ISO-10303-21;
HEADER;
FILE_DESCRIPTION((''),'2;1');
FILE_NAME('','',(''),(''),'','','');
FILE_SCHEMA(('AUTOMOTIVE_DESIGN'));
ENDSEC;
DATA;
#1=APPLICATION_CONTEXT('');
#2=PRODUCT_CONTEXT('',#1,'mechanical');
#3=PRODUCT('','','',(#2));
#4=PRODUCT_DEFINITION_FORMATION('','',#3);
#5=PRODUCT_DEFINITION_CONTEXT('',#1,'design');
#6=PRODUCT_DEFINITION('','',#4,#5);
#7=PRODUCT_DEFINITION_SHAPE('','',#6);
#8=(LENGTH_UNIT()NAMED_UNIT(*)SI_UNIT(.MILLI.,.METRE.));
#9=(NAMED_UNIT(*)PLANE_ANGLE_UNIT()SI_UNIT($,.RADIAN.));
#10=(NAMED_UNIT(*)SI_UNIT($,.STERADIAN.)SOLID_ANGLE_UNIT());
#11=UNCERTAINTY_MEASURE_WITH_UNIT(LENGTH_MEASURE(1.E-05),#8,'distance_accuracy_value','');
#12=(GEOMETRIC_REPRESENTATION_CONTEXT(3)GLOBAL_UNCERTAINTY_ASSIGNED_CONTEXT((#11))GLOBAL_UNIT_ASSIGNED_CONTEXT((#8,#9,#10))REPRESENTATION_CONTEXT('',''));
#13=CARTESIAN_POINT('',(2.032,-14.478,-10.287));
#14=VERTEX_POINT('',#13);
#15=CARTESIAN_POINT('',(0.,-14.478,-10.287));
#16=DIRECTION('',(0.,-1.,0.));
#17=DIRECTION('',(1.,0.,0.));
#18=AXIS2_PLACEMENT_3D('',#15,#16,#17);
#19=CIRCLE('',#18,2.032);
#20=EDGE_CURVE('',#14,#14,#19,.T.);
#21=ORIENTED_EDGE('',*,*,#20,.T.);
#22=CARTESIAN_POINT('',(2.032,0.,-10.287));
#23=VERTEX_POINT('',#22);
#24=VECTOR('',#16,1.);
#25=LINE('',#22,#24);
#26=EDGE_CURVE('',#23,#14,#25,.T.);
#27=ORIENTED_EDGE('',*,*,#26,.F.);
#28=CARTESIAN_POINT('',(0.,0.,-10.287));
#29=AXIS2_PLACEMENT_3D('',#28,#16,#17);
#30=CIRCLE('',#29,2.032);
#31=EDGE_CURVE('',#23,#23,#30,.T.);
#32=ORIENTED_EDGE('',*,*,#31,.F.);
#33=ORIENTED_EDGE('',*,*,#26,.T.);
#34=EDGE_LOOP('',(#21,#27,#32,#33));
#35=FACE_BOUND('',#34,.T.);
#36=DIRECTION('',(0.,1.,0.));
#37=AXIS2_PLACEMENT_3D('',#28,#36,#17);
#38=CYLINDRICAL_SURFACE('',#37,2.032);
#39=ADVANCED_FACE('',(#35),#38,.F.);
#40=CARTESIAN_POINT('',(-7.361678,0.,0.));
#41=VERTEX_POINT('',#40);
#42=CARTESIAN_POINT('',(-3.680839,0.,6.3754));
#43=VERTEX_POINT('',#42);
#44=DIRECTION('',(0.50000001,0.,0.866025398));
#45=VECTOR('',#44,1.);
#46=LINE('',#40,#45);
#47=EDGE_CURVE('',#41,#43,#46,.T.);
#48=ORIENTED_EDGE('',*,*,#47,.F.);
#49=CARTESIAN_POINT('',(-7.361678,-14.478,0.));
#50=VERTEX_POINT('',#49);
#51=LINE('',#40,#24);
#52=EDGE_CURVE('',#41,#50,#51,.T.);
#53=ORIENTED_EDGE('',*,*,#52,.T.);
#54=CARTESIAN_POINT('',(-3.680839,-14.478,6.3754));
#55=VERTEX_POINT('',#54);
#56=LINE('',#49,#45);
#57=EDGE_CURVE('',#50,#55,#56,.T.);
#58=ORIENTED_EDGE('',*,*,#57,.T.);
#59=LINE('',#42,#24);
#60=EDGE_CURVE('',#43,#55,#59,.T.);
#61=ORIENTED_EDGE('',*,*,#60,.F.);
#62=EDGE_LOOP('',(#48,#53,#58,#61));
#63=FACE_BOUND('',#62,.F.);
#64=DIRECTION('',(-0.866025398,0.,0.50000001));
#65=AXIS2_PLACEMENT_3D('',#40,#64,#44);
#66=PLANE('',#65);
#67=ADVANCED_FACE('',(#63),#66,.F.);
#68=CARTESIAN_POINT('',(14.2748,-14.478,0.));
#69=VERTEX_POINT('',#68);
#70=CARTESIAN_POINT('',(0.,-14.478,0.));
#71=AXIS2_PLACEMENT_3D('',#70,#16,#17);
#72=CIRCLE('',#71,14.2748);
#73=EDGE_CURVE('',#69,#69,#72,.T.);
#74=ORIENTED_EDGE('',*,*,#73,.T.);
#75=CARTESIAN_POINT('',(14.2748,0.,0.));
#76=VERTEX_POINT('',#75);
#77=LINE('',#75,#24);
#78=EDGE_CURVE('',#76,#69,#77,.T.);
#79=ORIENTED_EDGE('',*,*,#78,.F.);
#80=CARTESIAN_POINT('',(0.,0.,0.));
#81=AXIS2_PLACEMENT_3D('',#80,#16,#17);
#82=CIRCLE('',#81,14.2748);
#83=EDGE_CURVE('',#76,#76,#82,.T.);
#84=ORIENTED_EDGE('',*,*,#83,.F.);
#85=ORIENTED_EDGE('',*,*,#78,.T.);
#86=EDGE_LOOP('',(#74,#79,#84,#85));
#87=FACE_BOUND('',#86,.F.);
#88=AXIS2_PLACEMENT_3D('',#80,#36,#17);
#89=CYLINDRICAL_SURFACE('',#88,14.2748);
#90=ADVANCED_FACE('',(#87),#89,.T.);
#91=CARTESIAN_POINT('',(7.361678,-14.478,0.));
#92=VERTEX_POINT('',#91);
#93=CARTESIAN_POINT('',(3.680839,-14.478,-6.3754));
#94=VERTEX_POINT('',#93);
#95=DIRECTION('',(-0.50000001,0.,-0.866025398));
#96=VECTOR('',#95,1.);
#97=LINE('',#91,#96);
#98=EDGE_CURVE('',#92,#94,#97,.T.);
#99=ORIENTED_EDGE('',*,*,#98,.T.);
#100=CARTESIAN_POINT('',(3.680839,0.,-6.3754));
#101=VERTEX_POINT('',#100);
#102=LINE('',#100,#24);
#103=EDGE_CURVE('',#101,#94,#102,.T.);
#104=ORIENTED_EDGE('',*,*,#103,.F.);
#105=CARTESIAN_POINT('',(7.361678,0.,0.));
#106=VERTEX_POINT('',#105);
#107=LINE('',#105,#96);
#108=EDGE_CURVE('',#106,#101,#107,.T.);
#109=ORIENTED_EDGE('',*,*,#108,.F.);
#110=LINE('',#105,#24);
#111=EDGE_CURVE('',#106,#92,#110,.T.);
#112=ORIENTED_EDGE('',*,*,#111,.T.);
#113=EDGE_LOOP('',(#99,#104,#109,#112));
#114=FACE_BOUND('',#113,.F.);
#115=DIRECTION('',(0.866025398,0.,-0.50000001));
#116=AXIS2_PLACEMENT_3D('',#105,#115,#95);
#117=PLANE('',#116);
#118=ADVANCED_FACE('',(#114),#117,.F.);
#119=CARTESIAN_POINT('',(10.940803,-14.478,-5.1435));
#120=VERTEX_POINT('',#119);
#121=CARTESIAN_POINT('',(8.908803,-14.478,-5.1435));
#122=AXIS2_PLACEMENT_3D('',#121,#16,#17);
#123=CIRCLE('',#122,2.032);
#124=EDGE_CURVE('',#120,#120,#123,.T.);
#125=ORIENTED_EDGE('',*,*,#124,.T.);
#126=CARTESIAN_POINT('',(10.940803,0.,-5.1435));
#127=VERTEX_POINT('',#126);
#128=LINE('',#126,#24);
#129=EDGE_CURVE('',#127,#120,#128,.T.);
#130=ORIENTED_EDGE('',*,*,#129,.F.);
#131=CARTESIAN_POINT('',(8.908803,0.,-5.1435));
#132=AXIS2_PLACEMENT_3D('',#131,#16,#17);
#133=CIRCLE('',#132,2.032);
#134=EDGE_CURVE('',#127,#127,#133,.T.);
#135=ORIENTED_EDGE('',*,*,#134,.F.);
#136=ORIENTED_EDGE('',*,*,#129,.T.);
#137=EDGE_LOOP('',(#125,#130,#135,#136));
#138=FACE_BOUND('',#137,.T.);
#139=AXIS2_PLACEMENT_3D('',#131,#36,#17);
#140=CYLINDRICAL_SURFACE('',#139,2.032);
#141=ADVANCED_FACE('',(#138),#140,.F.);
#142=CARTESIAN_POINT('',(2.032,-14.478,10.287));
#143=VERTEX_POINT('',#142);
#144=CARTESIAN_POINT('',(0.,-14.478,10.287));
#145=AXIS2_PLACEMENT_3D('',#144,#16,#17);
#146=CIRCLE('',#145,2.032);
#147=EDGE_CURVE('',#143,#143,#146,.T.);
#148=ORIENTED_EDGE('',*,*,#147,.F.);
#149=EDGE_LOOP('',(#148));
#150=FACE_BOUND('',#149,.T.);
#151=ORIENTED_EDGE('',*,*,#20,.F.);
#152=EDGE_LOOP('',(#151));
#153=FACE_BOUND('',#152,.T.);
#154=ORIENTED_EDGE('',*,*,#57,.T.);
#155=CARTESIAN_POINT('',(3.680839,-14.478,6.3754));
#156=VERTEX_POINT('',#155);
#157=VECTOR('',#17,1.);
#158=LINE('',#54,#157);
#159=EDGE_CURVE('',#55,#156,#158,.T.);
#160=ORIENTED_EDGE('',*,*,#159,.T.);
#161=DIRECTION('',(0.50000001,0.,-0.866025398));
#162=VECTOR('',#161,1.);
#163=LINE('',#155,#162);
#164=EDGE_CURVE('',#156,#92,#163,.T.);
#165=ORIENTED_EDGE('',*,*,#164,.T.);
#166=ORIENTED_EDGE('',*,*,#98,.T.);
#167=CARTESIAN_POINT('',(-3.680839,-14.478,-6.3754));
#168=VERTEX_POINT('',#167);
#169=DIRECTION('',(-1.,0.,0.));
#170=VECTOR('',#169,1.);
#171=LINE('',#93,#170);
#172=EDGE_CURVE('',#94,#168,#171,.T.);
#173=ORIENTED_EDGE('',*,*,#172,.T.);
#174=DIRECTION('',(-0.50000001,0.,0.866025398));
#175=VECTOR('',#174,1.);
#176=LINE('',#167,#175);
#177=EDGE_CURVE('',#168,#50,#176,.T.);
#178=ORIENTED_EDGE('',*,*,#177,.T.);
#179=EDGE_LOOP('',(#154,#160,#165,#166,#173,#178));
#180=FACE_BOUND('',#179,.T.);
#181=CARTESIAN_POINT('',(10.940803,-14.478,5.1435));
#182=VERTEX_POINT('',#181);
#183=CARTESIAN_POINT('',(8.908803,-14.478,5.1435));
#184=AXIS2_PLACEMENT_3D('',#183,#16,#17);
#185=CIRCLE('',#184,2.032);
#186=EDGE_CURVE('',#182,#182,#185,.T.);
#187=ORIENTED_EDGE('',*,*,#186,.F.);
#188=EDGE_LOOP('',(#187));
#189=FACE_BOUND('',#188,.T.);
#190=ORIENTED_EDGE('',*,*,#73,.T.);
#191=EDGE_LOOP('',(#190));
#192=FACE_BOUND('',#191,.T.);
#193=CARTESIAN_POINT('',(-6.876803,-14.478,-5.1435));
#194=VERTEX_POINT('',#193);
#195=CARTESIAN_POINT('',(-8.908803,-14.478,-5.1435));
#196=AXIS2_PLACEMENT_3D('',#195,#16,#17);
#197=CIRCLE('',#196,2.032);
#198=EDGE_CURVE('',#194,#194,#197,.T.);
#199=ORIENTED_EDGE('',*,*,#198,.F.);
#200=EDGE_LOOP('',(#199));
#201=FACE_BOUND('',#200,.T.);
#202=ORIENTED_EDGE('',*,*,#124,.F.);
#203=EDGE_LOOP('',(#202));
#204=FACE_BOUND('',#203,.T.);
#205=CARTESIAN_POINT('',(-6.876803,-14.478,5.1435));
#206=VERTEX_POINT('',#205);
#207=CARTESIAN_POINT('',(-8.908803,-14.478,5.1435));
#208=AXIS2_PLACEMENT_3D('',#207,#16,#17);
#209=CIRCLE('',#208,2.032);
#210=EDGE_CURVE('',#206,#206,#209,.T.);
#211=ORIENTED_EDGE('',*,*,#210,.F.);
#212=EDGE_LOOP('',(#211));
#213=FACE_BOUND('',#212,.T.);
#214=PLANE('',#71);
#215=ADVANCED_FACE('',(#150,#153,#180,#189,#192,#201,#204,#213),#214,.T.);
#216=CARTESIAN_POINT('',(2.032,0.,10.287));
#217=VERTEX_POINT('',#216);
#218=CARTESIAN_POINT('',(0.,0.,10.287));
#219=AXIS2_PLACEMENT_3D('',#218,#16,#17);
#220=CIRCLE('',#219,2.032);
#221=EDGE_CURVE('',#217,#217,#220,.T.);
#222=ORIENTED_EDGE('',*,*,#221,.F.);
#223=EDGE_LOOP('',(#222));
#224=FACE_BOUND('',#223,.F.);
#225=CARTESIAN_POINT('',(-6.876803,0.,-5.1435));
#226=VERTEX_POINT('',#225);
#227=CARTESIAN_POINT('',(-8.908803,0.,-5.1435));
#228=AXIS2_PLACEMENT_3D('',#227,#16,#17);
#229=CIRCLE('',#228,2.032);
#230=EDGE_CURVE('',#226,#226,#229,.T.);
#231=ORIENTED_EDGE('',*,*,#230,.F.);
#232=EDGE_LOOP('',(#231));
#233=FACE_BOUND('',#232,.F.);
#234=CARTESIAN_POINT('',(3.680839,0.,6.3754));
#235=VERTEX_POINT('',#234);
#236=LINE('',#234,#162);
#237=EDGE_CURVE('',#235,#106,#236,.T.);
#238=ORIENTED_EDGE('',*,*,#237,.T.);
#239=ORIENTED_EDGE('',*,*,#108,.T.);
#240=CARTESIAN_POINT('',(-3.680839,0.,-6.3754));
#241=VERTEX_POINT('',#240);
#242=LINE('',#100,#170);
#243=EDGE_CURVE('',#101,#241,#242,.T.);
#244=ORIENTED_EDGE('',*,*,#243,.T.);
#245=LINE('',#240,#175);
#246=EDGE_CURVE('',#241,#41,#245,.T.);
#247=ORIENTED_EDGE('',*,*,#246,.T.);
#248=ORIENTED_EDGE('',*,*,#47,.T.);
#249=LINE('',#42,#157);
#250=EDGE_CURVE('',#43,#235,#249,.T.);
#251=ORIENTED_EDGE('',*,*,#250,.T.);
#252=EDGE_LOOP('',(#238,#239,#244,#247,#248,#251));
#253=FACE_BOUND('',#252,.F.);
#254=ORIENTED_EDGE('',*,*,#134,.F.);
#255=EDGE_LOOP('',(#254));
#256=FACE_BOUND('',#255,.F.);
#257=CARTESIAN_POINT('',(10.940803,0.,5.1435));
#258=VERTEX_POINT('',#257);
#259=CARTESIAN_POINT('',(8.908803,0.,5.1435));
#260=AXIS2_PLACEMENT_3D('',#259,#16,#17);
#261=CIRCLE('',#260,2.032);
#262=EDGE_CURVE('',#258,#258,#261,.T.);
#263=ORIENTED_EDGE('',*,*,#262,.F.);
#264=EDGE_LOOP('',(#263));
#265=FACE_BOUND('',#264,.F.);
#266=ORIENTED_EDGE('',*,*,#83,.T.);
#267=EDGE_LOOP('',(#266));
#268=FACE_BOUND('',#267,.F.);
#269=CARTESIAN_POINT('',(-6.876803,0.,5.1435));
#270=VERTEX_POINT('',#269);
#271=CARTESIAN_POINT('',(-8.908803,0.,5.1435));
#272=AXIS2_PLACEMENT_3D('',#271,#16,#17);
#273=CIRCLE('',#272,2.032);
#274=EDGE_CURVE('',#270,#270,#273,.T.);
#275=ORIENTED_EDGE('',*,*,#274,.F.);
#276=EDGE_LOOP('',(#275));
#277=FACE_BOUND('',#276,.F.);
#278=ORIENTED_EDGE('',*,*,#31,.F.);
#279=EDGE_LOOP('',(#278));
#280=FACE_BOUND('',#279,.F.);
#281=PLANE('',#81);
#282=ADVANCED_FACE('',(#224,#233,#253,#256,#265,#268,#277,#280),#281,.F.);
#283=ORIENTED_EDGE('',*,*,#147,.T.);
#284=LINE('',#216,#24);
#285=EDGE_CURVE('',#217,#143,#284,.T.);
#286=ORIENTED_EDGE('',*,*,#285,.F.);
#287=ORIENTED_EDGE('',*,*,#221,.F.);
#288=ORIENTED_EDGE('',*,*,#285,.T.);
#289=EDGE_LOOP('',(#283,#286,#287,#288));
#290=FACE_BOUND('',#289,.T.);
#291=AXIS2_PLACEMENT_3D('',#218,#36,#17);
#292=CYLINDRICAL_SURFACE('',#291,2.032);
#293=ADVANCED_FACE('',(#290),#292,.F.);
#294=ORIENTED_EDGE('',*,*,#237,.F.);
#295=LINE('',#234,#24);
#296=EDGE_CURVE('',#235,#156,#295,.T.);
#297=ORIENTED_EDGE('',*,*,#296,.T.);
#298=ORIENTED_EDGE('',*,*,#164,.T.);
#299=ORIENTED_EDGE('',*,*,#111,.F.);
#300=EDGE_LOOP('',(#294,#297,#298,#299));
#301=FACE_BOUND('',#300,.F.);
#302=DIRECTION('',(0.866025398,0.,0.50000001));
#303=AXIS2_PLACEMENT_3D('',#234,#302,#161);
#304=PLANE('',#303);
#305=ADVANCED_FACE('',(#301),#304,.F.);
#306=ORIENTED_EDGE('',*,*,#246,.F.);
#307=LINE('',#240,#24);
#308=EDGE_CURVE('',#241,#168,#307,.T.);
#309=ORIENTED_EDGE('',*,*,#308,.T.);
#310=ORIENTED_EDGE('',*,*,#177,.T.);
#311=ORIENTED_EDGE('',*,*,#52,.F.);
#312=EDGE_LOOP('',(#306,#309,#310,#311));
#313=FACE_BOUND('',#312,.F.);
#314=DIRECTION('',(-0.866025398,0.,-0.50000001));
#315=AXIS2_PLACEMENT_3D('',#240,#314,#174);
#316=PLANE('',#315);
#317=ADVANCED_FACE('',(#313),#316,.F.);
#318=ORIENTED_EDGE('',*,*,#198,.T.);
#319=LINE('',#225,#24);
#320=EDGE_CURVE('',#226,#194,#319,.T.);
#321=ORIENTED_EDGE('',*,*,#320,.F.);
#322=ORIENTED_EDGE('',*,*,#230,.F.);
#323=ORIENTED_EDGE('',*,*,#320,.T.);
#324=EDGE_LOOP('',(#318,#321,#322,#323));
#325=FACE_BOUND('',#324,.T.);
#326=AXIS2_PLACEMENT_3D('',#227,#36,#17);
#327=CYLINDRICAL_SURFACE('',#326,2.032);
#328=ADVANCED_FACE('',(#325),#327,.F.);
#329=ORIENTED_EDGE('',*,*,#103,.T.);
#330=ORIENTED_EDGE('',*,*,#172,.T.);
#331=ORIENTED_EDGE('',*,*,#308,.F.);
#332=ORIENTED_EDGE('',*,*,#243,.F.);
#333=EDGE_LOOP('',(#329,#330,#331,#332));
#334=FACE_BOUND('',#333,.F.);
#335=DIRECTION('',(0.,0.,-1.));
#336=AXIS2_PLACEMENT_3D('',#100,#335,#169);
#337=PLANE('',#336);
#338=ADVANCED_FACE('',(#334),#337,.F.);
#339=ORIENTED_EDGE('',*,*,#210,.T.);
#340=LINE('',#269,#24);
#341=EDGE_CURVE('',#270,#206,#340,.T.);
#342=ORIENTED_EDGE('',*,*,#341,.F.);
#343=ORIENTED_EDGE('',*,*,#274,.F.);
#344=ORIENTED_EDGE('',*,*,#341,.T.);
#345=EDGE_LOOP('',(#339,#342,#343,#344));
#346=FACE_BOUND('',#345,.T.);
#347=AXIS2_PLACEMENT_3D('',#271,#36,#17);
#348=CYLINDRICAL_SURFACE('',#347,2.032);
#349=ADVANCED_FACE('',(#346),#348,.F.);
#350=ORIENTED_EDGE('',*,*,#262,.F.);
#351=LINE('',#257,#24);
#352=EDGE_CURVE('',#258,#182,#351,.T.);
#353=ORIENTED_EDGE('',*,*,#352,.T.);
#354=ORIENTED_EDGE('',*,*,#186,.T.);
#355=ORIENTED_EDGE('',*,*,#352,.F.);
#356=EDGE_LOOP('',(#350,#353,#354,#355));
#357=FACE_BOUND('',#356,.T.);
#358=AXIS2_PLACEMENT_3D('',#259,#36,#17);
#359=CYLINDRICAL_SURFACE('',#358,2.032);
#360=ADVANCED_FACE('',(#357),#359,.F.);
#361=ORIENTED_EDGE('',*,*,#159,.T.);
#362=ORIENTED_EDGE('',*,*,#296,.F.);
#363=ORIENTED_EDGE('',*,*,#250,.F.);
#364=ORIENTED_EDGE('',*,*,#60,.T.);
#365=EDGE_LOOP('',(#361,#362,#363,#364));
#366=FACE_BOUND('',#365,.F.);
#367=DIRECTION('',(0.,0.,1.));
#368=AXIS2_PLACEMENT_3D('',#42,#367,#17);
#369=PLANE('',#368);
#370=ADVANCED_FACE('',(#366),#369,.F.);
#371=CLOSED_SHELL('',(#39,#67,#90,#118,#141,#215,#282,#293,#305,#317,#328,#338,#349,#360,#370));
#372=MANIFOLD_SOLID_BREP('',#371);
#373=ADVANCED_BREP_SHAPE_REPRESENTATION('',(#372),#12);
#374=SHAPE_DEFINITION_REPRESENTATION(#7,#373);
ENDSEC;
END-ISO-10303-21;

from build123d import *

# Parameters (mm, degrees)
F0_R     = 14.2748
F0_R_2   = 2.032
F1_DEPTH = 14.478


with BuildPart() as f1:
    # F0 (on Front) → F1 (new body)
    with BuildSketch(Plane.XZ):
        Circle(F0_R)
        with Locations((0, -10.287)):
            Circle(F0_R_2, mode=Mode.SUBTRACT)
        with Locations((-8.908803, -5.1435)):
            Circle(F0_R_2, mode=Mode.SUBTRACT)
        Polygon((3.680839, 6.3754), (7.361678, 0), (3.680839, -6.3754), (-3.680839, -6.3754), (-7.361678, 0), (-3.680839, 6.3754), align=None, mode=Mode.SUBTRACT)
        with Locations((8.908803, -5.1435)):
            Circle(F0_R_2, mode=Mode.SUBTRACT)
        with Locations((-8.908803, 5.1435)):
            Circle(F0_R_2, mode=Mode.SUBTRACT)
        with Locations((0, 10.287)):
            Circle(F0_R_2, mode=Mode.SUBTRACT)
        with Locations((8.908803, 5.1435)):
            Circle(F0_R_2, mode=Mode.SUBTRACT)
    extrude(amount=F1_DEPTH)


solid = f1.part
